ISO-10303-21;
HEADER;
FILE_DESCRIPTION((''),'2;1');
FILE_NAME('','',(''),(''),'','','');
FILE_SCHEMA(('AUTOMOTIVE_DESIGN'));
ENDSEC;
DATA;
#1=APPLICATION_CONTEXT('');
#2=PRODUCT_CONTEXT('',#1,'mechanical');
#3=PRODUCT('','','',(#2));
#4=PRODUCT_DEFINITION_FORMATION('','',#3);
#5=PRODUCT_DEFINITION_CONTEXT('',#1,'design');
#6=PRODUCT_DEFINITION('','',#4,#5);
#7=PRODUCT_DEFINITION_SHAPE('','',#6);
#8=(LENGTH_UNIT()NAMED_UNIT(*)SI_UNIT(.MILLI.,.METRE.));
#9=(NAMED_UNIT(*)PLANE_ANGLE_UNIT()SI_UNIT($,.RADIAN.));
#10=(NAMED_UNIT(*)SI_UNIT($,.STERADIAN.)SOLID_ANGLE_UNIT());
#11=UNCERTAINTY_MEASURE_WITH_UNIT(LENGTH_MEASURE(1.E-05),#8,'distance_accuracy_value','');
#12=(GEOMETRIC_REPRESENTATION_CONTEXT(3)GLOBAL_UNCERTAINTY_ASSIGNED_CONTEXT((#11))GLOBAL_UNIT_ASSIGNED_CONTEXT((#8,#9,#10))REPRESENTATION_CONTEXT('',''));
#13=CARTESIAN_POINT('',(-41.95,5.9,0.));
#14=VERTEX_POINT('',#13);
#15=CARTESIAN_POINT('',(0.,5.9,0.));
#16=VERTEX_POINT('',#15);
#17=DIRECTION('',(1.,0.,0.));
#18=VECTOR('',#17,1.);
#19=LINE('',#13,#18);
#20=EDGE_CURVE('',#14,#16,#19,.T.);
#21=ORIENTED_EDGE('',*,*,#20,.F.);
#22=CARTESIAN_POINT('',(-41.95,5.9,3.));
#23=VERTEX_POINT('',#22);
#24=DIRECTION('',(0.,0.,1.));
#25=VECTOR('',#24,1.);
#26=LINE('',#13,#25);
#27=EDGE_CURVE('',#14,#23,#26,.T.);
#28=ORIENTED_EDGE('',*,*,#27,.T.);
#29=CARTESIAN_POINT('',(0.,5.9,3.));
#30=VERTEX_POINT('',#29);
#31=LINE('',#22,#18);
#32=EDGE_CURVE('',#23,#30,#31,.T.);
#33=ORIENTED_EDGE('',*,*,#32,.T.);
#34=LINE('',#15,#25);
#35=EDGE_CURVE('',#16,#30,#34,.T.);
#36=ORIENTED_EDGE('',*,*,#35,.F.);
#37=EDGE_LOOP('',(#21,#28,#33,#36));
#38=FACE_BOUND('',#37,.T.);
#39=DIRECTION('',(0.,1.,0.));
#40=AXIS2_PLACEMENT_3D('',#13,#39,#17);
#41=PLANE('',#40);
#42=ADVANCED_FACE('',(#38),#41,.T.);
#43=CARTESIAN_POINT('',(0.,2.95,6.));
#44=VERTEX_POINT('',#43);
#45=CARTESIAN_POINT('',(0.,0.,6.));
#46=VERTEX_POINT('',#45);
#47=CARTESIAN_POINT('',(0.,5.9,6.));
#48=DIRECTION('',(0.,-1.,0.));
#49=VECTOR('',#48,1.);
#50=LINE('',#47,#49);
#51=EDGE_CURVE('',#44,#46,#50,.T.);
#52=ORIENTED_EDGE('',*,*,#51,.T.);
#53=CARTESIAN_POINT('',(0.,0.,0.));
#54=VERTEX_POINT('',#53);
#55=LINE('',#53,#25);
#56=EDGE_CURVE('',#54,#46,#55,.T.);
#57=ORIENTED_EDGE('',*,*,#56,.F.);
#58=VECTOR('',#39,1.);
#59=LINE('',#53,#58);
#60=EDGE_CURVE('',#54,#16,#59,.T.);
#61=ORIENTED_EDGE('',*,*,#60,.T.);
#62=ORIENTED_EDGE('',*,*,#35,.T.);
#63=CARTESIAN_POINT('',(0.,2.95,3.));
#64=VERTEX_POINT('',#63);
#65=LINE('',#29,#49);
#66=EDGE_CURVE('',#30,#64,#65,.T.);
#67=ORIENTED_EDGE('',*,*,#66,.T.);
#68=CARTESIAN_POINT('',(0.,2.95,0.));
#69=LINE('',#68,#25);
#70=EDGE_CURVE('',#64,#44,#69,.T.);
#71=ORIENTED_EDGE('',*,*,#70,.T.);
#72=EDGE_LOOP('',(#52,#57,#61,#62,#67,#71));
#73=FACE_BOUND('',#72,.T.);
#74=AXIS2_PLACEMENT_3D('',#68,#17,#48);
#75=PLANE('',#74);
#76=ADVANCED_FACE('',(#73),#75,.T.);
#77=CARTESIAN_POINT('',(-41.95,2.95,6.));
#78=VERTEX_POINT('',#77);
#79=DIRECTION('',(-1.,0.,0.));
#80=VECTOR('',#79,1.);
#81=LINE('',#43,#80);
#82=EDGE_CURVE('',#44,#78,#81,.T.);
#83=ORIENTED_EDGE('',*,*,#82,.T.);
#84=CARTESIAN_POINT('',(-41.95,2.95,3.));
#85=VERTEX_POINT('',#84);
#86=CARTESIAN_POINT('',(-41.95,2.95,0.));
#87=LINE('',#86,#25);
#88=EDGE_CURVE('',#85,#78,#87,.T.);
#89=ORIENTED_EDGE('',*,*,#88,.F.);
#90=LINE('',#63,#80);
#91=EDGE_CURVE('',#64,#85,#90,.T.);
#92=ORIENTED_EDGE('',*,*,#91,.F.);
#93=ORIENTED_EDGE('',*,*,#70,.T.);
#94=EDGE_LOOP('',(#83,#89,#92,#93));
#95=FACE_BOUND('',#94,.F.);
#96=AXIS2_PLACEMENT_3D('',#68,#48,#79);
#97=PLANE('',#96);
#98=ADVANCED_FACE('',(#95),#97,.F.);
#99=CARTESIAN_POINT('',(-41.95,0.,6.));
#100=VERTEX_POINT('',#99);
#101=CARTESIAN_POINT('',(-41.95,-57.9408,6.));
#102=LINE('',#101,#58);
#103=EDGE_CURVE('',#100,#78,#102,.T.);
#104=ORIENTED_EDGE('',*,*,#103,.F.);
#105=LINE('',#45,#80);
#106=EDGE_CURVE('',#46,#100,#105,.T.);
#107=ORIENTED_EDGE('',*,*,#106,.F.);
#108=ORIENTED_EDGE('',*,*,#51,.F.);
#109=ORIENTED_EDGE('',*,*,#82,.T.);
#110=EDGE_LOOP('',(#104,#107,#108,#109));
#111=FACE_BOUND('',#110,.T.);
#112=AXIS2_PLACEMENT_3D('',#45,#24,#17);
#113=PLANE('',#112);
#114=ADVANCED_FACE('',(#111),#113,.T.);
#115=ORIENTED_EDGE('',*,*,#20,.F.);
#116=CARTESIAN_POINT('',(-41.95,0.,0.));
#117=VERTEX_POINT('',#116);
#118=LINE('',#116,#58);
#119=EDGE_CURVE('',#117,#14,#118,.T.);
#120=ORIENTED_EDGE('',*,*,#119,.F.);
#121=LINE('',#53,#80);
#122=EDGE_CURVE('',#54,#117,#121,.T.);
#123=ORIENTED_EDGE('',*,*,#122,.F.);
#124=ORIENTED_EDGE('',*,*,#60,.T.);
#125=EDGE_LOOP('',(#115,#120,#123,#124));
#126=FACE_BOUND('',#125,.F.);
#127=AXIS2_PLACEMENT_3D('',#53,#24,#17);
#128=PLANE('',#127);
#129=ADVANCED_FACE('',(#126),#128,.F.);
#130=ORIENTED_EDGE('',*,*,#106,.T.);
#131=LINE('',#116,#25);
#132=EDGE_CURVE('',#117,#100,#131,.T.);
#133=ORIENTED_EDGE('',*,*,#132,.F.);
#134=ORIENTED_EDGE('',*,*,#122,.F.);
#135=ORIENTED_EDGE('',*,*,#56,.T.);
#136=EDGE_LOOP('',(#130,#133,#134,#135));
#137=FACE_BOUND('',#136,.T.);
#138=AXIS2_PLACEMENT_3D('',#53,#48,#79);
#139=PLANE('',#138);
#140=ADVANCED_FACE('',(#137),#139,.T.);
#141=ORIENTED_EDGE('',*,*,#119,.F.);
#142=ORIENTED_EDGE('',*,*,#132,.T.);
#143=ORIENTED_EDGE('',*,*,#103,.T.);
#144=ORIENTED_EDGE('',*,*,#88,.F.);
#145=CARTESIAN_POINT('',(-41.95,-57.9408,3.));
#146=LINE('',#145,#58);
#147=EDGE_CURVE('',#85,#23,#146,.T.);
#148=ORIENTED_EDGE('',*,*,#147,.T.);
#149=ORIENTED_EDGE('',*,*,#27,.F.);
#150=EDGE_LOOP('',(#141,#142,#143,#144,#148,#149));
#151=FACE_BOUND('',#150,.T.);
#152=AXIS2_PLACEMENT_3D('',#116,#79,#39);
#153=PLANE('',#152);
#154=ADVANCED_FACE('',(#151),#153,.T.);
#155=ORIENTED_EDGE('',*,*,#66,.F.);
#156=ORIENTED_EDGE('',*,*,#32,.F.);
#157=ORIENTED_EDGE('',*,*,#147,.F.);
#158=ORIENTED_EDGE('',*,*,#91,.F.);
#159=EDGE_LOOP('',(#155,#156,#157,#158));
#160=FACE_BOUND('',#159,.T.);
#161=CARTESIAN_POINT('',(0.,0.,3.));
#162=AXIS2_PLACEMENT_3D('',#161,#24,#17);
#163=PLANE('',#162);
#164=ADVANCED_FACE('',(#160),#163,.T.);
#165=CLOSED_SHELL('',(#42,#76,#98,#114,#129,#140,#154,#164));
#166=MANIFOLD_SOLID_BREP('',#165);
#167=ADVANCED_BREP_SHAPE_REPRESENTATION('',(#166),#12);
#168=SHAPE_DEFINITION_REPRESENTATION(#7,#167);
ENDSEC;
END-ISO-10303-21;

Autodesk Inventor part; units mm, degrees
ref_plane "YZ Plane" through (0, 0, 0) normal (1, 0, 0) x (0, 1, 0)
ref_plane "XZ Plane" through (0, 0, 0) normal (0, 1, 0) x (-1, 0, 0)
ref_plane "XY Plane" through (0, 0, 0) normal (0, 0, 1) x (1, 0, 0)
sketch "스케치1" plane through (0, 0, 0) normal (0, 0, 1) x (1, 0, 0)
  circle A0 centre (14.75, -25.8408) radius 14.2 projected
  line L0 (41.95, 5.9) -> (41.95, -57.9408) projected
  line L1 (-41.95, 5.9) -> (41.95, 5.9) projected
  line L2 (-41.95, -57.9408) -> (-41.95, 5.9) projected
  line L3 (41.95, -57.9408) -> (-41.95, -57.9408) projected
  line L4 (-41.95, 5.9) -> (0, 5.9)
  line L5 (0, 5.9) -> (0, 0)
  line L6 (0, 0) -> (-41.95, 0)
  line L7 (-41.95, 0) -> (-41.95, 5.9)
  line L8 (-41.95, 0) -> (0, 0)
  line L9 (0, 0) -> (0, 2.95)
  line L10 (0, 2.95) -> (-41.95, 2.95)
  line L11 (-41.95, 2.95) -> (-41.95, 0)
extrude "돌출1" add sketch "스케치1" along normal blind 6 contours L5 L6 L2 L10
sketch "스케치2" plane through (-41.95, 0, 0) normal (-1, 0, 0) x (0, 0, 1)
  point P0 (0, 0)
sketch "스케치3" plane through (0, 0, 0) normal (0, 0, 1) x (1, 0, 0)
  point P0 (0, 0)
sketch "스케치4" plane through (0, 0, 0) normal (0, 0, 1) x (1, 0, 0)
  circle A0 centre (14.75, -25.8408) radius 14.2 projected
  line L0 (41.95, 5.9) -> (41.95, -57.9408) projected
  line L1 (-41.95, 5.9) -> (41.95, 5.9) projected
  line L2 (-41.95, -57.9408) -> (-41.95, 5.9) projected
  line L3 (41.95, -57.9408) -> (-41.95, -57.9408) projected
  line L4 (-41.95, 5.9) -> (0, 5.9)
  line L5 (0, 5.9) -> (0, 2.95)
  line L6 (0, 2.95) -> (-41.95, 2.95)
  line L7 (-41.95, 2.95) -> (-41.95, 5.9)
  point P0 (0, 0)
  point P1 (0, 5.9)
extrude "돌출2" add sketch "스케치4" along normal blind 3 contours L5 L6 L2 L1
properties part number "부품73"
